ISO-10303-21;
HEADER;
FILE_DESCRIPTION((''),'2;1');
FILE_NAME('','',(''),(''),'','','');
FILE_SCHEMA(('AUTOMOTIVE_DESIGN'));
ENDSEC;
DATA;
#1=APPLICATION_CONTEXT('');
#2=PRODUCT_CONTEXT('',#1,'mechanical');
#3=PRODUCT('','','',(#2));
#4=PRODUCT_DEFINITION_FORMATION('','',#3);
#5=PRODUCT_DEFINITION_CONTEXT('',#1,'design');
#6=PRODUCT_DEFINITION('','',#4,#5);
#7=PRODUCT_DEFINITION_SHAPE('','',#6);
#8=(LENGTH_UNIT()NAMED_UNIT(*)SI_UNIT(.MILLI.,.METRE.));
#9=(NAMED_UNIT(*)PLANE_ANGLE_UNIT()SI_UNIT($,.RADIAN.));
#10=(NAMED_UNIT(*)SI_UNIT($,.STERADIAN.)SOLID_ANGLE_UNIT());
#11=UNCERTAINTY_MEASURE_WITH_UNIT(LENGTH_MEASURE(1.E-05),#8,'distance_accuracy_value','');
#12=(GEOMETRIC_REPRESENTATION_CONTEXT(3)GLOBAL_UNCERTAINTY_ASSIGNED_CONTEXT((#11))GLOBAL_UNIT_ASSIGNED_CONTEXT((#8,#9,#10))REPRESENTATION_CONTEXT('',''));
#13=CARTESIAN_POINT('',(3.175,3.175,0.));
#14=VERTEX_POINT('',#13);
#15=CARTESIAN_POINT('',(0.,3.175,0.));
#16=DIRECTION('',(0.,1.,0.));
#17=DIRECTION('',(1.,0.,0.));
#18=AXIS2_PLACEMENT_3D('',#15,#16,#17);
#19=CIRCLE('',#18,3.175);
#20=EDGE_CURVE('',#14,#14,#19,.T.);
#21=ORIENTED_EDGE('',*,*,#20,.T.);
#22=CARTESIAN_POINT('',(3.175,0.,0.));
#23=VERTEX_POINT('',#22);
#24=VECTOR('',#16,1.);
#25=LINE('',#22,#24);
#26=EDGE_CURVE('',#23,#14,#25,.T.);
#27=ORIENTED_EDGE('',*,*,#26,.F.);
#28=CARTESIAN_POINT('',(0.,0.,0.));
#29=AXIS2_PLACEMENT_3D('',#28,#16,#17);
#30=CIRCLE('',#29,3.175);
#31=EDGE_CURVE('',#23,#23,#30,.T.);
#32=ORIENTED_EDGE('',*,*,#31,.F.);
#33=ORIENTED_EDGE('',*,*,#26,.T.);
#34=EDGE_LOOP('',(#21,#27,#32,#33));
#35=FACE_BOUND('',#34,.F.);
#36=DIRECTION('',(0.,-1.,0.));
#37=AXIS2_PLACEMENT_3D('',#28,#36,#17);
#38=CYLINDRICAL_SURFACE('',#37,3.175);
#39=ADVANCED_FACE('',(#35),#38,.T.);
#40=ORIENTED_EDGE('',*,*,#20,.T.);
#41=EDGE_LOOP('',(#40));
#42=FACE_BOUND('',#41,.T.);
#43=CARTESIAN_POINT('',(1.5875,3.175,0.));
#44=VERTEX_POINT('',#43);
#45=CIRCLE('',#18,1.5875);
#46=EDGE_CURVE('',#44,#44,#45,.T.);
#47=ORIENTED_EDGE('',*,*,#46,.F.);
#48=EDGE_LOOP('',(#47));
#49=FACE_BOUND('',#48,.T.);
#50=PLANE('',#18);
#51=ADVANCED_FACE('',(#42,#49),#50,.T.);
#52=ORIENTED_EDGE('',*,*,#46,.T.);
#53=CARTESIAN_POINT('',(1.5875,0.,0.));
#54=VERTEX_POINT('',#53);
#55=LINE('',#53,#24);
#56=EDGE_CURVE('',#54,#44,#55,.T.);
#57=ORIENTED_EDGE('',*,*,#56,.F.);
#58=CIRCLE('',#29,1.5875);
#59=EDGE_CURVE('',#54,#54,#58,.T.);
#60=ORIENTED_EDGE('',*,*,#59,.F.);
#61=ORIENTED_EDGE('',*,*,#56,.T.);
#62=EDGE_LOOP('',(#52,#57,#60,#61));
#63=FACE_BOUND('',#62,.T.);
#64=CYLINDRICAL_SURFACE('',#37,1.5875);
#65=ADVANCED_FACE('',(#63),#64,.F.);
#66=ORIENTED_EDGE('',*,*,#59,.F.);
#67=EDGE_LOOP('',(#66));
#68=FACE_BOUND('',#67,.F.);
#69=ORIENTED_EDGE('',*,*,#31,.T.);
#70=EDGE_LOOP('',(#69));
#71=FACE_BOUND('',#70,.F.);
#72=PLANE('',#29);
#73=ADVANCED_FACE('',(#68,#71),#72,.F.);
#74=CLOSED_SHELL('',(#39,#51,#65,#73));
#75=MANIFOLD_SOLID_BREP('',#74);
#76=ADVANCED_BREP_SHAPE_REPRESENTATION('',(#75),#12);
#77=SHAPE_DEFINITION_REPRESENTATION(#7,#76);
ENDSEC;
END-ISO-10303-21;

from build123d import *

# Parameters (mm, degrees)
CROQUIS1_R              = 3.175
CROQUIS1_R_2            = 1.5875
SALIENTE_EXTRUIR1_DEPTH = 3.175


with BuildPart() as part:
    # Croquis1 → Saliente-Extruir1 (new body)
    with BuildSketch(Plane(origin=(0, 0, 0), x_dir=(1, 0, 0), z_dir=(0, 1, 0))):
        Circle(CROQUIS1_R)
        Circle(CROQUIS1_R_2, mode=Mode.SUBTRACT)
    extrude(amount=SALIENTE_EXTRUIR1_DEPTH)


solid = part.part
